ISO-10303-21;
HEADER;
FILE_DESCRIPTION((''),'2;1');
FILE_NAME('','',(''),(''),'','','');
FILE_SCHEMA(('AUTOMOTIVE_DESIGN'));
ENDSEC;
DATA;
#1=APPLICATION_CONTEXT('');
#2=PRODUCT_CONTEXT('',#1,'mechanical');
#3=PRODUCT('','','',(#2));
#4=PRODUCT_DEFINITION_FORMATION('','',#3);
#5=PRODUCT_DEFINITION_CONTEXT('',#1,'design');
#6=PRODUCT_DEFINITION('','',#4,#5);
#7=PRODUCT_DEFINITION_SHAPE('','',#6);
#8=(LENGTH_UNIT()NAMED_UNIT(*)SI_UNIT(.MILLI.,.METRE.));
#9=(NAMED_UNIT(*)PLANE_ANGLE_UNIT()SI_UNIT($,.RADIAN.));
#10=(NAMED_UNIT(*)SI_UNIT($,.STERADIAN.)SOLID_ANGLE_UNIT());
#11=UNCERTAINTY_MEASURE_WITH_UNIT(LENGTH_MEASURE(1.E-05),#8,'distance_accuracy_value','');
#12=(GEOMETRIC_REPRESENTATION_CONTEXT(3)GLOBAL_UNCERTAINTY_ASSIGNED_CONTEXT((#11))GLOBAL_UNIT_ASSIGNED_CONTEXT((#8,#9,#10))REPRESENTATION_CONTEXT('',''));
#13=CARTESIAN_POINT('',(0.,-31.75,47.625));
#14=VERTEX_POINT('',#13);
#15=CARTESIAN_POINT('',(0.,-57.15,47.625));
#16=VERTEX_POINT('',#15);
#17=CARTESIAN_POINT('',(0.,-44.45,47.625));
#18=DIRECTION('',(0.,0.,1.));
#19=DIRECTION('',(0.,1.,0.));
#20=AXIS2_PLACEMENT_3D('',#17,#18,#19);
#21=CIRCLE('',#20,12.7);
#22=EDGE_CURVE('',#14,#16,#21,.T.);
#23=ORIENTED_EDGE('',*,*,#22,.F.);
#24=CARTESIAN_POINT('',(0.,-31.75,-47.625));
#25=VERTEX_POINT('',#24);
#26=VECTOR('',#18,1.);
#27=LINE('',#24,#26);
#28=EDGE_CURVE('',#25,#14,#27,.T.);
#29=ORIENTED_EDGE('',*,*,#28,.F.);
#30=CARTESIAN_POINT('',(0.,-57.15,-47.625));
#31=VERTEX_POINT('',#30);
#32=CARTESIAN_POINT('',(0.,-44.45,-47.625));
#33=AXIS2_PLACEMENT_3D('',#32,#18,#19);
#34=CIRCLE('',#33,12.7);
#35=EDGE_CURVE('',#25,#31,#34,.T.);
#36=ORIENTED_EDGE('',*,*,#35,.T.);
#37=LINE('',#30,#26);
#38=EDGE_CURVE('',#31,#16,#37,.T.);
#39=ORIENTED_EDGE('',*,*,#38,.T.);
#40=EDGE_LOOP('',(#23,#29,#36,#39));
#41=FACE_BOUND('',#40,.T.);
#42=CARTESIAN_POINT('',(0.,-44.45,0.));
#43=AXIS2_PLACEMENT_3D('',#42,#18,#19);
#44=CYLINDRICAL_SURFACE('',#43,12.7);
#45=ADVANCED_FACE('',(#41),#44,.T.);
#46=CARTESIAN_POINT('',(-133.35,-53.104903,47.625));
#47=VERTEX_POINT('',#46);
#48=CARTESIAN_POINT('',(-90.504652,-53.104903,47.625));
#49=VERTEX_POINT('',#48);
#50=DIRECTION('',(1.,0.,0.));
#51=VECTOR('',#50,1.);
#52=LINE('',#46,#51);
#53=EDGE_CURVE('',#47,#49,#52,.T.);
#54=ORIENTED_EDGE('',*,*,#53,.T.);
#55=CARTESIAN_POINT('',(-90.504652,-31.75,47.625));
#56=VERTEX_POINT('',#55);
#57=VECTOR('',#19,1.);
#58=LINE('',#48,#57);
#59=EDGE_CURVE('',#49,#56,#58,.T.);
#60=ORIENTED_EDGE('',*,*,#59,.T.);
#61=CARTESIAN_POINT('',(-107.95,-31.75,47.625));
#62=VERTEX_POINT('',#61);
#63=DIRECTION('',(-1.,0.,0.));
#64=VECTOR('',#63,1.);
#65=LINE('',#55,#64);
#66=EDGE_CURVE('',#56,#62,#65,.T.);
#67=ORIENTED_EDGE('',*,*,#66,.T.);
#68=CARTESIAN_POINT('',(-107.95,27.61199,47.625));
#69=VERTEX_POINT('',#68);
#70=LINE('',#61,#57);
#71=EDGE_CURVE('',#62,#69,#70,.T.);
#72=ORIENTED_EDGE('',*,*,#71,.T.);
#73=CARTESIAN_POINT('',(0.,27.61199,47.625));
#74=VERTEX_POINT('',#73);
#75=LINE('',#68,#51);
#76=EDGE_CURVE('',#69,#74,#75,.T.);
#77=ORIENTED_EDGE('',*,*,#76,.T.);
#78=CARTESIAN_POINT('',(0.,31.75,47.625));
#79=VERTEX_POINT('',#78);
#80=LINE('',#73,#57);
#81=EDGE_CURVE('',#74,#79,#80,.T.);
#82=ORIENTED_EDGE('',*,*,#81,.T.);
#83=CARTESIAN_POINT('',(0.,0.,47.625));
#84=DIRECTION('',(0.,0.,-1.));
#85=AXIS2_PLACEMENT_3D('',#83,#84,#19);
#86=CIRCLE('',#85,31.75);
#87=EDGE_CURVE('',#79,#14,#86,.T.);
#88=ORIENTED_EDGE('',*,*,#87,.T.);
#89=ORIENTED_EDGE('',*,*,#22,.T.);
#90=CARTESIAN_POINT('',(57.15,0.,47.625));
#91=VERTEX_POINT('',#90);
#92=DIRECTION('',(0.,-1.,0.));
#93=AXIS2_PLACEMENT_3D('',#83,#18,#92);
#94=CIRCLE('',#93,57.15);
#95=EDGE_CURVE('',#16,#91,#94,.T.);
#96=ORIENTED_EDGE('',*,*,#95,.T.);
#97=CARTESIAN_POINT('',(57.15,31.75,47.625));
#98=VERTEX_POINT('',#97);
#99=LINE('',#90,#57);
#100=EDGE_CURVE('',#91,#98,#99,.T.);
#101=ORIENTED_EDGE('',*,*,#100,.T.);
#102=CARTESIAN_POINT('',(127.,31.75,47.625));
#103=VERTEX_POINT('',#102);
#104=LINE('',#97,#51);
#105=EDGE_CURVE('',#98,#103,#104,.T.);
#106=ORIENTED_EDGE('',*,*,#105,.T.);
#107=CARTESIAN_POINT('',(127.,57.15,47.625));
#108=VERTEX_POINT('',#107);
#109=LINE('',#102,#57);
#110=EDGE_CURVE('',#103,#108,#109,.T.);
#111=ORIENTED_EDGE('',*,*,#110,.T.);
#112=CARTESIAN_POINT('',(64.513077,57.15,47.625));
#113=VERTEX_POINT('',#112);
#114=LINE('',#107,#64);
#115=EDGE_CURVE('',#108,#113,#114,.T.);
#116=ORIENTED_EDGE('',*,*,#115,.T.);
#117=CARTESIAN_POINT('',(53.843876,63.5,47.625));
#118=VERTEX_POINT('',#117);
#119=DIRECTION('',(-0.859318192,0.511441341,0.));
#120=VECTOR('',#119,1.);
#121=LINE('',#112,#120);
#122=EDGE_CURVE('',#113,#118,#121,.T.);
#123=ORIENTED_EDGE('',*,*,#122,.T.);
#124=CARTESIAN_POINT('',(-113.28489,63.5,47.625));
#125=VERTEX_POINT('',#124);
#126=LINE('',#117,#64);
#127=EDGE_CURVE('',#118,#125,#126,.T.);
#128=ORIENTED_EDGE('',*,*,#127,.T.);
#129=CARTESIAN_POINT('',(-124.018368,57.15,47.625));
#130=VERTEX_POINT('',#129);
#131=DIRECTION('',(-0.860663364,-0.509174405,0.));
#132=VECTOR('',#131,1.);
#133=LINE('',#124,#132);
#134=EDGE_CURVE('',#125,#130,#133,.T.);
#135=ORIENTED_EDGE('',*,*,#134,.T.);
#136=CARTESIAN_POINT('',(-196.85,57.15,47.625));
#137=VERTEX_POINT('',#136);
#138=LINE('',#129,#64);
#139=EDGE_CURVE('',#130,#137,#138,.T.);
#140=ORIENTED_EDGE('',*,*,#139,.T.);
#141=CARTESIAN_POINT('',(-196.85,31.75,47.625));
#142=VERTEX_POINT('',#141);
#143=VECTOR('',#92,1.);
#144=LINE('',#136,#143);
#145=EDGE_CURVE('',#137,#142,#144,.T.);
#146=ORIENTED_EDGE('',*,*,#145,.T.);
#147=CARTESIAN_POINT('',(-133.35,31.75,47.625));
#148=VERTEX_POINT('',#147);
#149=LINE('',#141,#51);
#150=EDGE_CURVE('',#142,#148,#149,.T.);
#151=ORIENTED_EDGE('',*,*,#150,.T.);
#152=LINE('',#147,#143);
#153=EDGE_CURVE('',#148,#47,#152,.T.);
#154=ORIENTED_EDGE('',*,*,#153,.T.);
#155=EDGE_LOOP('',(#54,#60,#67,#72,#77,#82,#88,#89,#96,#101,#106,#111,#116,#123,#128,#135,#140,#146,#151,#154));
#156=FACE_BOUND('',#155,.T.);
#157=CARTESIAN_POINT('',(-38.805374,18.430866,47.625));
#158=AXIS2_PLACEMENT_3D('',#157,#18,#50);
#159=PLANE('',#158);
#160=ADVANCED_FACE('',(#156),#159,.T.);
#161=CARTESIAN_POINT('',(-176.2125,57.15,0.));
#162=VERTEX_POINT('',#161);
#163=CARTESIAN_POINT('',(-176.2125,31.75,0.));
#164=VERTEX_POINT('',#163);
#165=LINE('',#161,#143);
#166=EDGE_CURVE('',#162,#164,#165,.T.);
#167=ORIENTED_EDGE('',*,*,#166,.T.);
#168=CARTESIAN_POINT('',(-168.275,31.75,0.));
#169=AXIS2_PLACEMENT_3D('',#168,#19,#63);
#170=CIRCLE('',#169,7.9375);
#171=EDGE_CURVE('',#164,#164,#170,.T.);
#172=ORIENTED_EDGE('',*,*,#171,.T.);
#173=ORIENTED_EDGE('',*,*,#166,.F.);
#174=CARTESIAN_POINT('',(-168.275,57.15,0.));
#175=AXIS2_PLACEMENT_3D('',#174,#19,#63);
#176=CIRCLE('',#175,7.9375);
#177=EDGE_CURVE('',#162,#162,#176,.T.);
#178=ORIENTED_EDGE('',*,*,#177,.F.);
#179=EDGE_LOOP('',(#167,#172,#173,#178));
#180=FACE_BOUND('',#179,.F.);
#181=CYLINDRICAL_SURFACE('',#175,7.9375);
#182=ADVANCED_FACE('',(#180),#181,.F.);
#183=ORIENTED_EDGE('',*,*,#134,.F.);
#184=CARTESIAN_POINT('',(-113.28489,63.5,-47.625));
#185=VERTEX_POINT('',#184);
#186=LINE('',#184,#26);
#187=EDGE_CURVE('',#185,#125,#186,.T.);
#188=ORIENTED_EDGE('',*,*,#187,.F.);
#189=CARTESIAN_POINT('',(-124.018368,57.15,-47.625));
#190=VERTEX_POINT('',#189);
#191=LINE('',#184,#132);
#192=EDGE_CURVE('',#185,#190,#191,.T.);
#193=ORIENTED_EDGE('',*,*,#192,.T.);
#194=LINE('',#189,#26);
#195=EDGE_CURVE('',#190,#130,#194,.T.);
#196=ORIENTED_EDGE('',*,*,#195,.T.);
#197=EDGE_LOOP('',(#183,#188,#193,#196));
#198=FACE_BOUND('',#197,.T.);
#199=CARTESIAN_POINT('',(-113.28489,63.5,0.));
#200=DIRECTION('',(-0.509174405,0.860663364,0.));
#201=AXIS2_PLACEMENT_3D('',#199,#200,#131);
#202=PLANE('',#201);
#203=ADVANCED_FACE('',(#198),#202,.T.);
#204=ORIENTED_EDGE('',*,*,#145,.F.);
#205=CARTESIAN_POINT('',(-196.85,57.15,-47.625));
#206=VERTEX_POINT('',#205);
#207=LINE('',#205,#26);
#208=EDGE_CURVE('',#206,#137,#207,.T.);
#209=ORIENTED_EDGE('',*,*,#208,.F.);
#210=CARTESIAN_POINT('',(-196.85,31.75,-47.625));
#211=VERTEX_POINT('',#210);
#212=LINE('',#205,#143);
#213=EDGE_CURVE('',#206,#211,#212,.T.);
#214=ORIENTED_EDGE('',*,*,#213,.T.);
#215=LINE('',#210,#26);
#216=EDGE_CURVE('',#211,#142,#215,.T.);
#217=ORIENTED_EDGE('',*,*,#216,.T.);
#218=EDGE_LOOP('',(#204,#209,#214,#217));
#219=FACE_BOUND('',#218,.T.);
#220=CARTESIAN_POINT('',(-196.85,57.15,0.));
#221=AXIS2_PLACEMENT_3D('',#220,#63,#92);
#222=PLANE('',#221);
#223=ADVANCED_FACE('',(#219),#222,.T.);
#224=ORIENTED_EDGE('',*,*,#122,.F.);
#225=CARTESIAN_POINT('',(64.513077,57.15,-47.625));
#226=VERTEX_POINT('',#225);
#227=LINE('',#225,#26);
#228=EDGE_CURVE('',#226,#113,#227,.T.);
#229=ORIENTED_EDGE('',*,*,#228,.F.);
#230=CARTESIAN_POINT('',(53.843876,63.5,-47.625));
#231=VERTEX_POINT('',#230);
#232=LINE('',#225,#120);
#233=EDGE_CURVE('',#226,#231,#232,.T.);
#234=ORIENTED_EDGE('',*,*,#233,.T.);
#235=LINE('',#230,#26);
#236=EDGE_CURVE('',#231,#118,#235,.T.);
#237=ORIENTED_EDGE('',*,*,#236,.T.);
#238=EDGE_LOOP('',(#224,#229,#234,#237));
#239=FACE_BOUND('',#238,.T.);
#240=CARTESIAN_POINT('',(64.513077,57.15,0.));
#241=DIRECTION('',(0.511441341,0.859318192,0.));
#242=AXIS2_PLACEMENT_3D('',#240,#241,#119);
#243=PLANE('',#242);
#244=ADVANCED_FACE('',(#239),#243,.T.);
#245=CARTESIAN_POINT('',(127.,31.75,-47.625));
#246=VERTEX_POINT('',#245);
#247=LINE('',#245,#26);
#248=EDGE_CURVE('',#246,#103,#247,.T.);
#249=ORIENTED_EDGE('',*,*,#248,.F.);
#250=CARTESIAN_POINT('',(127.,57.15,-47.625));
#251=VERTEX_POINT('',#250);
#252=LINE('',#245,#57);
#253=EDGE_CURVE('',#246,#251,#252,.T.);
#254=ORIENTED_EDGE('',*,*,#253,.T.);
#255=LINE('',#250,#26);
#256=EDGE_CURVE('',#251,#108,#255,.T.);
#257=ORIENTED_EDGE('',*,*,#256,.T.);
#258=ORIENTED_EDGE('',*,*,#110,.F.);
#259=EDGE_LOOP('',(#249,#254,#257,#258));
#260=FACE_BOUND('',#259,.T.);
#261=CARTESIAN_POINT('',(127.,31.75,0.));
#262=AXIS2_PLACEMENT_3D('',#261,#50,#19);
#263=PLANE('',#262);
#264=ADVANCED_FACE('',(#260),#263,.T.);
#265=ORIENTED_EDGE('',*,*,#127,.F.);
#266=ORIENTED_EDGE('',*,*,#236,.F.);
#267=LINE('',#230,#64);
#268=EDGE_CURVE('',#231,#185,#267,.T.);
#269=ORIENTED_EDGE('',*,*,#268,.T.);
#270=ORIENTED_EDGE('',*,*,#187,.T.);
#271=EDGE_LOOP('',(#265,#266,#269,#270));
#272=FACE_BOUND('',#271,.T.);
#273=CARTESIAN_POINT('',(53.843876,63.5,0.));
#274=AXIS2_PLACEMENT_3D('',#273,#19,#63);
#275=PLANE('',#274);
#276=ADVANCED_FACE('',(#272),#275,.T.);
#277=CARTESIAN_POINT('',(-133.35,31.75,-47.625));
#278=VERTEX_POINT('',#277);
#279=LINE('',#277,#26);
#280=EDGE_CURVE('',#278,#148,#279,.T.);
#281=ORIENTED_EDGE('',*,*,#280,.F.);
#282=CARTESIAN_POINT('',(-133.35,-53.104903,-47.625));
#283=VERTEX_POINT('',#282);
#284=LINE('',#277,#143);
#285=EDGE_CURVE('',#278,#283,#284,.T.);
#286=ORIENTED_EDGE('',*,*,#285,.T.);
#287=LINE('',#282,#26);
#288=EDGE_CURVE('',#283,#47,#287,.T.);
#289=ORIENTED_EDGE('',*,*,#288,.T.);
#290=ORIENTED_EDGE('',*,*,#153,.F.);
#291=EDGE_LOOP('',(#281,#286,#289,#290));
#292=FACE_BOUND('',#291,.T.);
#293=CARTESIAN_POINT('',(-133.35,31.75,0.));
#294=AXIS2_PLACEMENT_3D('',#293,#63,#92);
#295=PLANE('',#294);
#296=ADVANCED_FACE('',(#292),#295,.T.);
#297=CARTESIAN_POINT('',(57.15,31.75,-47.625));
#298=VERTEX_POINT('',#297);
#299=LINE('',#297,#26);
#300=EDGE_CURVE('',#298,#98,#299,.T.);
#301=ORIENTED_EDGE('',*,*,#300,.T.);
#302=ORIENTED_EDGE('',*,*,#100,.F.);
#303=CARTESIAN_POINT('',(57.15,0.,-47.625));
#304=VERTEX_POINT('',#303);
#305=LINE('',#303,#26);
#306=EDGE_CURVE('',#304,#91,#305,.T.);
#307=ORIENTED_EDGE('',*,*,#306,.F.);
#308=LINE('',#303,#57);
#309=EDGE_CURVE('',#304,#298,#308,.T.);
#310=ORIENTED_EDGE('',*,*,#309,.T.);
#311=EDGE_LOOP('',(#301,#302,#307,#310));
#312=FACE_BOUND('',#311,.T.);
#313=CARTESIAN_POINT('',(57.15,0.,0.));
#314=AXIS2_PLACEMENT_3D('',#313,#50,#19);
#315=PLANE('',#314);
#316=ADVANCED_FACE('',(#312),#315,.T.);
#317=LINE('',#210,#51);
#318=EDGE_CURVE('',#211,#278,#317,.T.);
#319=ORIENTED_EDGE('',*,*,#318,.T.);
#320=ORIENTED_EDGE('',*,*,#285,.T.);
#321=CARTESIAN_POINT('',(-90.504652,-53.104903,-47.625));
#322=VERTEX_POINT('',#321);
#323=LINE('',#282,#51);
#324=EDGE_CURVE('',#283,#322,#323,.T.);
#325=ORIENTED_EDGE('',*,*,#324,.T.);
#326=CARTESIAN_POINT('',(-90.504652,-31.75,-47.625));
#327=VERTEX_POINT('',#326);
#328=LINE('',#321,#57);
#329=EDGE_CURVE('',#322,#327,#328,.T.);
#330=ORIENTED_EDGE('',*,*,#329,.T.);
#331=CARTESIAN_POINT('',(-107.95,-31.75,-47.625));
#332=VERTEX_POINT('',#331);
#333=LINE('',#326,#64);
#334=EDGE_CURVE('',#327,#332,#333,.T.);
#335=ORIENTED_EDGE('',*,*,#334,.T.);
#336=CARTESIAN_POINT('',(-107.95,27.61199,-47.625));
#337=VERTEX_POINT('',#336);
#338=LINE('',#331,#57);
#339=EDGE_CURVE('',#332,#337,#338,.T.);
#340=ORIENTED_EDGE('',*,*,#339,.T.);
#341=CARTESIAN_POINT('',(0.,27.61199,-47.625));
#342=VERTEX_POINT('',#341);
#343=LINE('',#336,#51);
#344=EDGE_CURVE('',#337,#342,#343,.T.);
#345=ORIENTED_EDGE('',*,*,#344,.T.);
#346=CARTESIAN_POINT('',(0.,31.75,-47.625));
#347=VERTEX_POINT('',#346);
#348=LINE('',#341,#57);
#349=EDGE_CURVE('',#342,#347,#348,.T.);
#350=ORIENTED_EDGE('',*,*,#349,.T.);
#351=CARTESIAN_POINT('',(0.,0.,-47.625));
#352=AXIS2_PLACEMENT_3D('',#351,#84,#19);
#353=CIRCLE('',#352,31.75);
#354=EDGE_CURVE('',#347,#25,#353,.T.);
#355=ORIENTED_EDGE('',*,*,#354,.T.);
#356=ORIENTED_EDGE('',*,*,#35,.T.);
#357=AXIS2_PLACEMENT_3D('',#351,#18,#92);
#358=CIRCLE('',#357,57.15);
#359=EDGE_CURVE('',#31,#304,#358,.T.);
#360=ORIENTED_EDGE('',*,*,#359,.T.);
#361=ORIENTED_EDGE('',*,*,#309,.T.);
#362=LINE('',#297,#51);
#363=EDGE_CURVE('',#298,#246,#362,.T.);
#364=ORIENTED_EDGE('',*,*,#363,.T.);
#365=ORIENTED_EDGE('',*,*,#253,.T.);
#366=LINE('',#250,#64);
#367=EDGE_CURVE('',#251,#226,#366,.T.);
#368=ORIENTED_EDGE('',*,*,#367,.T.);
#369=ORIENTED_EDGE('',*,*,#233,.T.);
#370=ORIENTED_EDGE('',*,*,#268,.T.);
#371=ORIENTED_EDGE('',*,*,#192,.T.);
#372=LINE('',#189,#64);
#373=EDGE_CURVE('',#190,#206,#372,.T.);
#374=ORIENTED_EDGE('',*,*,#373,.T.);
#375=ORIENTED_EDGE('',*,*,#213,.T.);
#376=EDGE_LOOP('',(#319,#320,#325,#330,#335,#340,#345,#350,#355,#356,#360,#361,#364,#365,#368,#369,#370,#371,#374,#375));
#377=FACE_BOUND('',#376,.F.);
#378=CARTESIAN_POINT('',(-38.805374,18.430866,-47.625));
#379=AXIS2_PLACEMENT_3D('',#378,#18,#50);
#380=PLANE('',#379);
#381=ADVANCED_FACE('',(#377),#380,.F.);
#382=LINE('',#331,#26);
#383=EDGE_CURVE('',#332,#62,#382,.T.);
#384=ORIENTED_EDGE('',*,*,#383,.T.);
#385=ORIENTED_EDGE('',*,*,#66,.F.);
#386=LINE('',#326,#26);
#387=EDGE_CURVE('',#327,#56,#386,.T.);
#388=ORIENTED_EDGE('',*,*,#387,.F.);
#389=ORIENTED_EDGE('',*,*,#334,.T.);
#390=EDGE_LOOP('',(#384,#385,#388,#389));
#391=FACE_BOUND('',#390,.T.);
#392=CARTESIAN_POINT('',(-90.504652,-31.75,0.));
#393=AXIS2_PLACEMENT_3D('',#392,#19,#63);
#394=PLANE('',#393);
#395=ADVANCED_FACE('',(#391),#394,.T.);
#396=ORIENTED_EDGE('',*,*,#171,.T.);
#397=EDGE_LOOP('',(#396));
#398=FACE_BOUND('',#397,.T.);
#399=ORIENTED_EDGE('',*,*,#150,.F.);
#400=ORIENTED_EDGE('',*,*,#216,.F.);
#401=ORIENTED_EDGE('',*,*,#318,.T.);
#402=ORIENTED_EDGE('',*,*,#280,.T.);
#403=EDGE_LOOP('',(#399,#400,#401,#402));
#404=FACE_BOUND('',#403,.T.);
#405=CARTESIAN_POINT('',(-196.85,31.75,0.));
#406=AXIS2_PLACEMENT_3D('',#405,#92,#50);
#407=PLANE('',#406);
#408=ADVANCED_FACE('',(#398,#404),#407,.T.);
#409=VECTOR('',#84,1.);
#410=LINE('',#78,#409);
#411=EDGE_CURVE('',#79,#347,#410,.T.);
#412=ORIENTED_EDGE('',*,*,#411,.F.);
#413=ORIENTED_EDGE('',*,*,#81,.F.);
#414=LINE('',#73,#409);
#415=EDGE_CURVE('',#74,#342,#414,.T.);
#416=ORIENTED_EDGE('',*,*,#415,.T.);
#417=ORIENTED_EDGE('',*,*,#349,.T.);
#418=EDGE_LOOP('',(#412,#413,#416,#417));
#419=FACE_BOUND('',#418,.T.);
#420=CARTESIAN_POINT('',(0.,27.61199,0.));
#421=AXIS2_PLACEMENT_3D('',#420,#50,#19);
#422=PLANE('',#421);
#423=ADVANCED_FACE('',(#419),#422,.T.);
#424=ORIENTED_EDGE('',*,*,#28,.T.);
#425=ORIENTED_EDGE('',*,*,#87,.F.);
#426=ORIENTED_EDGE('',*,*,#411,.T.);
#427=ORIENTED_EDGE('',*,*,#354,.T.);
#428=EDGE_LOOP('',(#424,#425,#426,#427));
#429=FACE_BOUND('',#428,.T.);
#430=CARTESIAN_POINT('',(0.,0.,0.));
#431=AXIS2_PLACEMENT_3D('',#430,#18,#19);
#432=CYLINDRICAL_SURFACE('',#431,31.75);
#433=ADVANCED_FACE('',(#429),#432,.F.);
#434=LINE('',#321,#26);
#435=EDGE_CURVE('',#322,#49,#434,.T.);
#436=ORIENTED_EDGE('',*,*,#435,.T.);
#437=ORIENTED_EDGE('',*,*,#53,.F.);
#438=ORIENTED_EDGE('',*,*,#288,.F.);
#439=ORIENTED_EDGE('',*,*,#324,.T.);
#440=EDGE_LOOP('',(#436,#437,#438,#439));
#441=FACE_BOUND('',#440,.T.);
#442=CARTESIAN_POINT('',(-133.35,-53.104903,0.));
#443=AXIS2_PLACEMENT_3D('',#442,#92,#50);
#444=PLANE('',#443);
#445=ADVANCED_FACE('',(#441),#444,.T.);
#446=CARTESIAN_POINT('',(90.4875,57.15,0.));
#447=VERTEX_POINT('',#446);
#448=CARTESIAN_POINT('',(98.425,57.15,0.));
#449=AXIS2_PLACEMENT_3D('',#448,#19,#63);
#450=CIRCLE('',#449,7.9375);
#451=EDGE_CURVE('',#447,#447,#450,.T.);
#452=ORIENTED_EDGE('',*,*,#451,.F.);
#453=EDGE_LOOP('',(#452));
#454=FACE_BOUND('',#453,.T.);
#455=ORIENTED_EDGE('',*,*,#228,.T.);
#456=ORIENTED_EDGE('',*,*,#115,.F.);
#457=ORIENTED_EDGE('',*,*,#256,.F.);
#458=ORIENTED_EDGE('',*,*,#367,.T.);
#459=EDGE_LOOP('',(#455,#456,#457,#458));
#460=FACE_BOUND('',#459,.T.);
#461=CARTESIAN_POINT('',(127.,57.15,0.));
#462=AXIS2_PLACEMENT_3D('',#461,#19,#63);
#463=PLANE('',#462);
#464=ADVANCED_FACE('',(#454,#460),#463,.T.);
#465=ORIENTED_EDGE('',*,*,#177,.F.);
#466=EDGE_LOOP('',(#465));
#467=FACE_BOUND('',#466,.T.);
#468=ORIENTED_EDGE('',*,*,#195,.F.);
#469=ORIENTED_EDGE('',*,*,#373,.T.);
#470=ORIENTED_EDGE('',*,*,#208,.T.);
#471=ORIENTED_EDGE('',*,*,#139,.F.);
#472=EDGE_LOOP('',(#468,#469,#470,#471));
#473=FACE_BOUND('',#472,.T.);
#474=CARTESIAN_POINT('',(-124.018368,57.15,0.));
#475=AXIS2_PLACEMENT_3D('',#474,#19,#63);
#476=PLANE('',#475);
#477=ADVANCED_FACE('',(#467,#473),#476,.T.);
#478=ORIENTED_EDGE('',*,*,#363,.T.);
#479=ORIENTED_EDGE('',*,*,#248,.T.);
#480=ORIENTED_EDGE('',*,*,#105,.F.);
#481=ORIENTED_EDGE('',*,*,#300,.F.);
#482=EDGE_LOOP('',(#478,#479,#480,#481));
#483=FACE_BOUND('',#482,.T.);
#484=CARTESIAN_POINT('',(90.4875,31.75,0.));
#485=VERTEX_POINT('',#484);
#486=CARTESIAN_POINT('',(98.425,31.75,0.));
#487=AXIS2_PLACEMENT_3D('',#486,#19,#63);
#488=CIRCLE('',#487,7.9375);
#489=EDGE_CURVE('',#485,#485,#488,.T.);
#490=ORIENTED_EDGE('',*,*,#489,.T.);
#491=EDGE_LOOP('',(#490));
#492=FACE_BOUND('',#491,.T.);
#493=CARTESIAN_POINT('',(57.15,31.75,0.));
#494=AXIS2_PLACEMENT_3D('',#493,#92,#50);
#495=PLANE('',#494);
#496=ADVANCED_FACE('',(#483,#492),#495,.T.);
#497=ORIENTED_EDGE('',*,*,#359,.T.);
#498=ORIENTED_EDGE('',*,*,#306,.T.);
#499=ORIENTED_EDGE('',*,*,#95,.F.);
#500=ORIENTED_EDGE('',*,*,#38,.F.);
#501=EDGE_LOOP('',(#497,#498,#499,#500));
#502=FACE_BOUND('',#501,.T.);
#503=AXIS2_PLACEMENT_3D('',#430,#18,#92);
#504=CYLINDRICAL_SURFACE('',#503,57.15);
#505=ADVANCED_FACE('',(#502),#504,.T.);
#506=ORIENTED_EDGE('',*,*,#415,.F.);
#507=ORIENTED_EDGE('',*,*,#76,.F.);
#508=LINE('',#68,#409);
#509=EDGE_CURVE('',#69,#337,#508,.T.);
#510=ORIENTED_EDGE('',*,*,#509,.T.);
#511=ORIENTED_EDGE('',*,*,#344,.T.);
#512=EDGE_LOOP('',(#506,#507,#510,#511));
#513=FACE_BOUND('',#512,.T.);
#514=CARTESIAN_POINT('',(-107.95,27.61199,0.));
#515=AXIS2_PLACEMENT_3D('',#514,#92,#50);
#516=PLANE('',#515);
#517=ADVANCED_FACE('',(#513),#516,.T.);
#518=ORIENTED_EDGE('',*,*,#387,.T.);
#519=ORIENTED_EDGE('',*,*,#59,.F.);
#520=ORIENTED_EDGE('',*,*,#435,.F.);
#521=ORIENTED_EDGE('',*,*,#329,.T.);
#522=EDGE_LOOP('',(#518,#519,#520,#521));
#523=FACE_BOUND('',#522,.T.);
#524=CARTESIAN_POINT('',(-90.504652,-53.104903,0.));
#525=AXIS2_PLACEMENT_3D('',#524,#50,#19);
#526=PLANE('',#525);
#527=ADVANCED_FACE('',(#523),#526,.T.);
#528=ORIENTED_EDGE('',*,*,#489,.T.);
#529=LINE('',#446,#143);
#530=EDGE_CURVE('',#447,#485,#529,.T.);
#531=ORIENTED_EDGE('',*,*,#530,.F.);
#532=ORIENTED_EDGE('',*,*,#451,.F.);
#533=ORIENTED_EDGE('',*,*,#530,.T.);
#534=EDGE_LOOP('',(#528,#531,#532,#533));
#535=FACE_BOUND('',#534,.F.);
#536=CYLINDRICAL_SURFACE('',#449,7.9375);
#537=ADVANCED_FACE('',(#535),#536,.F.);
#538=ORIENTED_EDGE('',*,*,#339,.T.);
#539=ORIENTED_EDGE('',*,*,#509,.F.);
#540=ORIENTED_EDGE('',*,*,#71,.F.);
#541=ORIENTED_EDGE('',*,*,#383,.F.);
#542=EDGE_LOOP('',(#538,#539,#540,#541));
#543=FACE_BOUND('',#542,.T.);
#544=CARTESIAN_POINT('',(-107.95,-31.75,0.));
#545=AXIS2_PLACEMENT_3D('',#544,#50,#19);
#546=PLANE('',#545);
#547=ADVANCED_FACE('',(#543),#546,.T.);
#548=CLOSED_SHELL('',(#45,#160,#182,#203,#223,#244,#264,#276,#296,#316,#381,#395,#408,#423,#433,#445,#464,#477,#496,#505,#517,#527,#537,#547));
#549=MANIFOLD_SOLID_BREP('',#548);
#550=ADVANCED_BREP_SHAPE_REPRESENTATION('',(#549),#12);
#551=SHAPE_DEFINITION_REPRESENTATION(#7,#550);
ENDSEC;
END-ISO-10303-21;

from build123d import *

# Parameters (mm, degrees)
F1_DEPTH = 47.625
F2_R     = 7.9375
F3_DEPTH = 114.301


with BuildPart() as f1:
    # F0 (on Top) → F1 (new body, symmetric)
    with BuildSketch(Plane.XY):
        with BuildLine():
            ThreePointArc((0, 31.75), (31.75, 0), (0, -31.75))
            ThreePointArc((0, -31.75), (-12.7, -44.45), (0, -57.15))
            ThreePointArc((0, -57.15), (40.4111525448, -40.4111525448), (57.15, 0))
            Line((57.15, 0), (57.15, 31.75))
            Line((57.15, 31.75), (127, 31.75))
            Line((127, 31.75), (127, 57.15))
            Line((127, 57.15), (64.5130766445, 57.15))
            Line((64.5130766445, 57.15), (53.8438755383, 63.5))
            Line((53.8438755383, 63.5), (-113.2848898665, 63.5))
            Line((-113.2848898665, 63.5), (-124.0183680439, 57.15))
            Line((-124.0183680439, 57.15), (-196.85, 57.15))
            Line((-196.85, 57.15), (-196.85, 31.75))
            Line((-196.85, 31.75), (-133.35, 31.75))
            Line((-133.35, 31.75), (-133.35, -53.1049028658))
            Line((-133.35, -53.1049028658), (-90.5046517968, -53.1049028658))
            Line((-90.5046517968, -53.1049028658), (-90.5046517968, -31.75))
            Line((-90.5046517968, -31.75), (-107.95, -31.75))
            Line((-107.95, -31.75), (-107.95, 27.6119898381))
            Line((-107.95, 27.6119898381), (0, 27.6119898381))
            Line((0, 27.6119898381), (0, 31.75))
        make_face()
    extrude(amount=F1_DEPTH, both=True)

    # F2 (on face) → F3 (cut, through all)
    with BuildSketch(Plane(origin=(0, 57.15, 0), x_dir=(-1, 0, 0), z_dir=(0, 1, 0))):
        with Locations((-98.425, 0)):
            Circle(F2_R)
        with Locations((168.275, 0)):
            Circle(F2_R)
    extrude(amount=-F3_DEPTH, mode=Mode.SUBTRACT)


solid = f1.part
